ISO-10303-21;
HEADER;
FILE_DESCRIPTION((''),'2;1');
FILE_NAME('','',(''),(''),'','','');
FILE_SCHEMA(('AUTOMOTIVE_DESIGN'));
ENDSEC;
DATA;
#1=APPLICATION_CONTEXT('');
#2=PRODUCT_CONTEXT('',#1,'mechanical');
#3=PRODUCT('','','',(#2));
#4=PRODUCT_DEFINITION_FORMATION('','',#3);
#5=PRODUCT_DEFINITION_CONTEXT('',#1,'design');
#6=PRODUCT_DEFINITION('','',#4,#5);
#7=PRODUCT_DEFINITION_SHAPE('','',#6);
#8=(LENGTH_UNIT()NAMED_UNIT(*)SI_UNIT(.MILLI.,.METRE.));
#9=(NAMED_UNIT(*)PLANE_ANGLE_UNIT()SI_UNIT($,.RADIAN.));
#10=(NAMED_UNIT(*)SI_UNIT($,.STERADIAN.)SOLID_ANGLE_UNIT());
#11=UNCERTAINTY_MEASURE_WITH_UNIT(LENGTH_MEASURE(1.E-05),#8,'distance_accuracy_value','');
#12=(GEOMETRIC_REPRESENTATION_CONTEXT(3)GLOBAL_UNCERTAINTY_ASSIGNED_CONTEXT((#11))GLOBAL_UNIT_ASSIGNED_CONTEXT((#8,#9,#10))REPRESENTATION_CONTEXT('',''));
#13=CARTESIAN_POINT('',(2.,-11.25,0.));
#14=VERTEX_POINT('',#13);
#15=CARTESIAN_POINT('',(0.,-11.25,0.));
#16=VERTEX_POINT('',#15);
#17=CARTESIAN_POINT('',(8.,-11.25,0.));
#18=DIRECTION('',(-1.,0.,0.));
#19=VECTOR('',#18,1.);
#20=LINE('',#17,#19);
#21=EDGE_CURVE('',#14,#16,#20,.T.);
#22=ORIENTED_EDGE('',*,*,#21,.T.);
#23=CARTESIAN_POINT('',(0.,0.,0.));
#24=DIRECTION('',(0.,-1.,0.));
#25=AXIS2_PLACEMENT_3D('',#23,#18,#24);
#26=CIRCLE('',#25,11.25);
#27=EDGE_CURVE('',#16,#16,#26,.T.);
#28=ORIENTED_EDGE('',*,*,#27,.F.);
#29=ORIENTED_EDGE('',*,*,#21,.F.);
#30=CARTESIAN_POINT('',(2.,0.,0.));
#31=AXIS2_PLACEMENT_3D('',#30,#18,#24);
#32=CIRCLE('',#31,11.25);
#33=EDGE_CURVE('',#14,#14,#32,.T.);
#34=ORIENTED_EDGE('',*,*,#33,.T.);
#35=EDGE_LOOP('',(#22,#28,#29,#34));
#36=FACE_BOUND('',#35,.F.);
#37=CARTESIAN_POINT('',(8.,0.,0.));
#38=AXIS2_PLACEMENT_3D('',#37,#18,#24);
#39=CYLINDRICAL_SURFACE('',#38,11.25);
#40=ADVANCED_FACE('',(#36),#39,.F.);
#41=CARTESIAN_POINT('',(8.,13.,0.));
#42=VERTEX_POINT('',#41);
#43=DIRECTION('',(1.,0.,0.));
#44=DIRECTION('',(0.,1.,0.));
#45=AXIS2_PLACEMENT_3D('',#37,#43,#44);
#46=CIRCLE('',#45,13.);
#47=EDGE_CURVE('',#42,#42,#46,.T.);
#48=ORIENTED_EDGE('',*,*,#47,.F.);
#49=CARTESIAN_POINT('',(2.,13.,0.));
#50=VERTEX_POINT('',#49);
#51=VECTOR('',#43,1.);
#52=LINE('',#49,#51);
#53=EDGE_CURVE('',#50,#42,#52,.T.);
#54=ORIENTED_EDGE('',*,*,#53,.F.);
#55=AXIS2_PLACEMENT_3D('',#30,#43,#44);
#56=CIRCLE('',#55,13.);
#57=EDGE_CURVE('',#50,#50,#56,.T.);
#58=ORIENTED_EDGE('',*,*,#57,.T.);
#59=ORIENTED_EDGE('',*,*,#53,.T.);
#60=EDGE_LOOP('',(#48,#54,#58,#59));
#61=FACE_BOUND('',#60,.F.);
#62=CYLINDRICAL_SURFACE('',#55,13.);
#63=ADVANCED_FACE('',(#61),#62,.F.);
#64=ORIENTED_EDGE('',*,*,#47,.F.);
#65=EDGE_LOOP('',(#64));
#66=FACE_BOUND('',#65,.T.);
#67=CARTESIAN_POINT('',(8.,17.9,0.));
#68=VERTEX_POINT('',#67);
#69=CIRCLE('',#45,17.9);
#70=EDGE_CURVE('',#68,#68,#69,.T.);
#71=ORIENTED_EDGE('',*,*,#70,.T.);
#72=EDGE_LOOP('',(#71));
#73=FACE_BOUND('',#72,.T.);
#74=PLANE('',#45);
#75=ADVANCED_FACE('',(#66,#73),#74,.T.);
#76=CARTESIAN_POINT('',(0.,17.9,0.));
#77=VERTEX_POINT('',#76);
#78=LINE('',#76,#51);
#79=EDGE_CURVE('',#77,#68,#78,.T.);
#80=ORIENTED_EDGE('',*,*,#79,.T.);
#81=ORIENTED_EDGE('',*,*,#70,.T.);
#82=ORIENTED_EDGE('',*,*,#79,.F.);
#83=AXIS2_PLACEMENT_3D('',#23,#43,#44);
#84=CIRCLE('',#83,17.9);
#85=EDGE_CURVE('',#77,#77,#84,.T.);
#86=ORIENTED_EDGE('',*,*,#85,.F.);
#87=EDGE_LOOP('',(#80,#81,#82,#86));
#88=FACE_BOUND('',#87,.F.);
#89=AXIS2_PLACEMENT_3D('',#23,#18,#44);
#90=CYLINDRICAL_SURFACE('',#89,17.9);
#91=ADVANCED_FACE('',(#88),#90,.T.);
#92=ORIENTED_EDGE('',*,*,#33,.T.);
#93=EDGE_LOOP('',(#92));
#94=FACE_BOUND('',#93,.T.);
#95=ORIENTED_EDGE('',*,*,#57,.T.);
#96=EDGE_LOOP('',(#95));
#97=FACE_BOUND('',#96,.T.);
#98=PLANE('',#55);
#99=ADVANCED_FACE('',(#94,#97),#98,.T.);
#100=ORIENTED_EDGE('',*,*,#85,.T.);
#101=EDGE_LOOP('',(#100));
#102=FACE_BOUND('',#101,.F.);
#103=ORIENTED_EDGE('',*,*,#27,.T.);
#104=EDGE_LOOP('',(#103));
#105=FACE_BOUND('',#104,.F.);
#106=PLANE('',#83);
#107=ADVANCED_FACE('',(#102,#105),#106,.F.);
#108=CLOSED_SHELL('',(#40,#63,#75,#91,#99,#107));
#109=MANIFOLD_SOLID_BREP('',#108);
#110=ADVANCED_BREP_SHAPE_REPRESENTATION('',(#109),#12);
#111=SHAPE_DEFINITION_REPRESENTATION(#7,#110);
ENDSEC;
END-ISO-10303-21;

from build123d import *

# Parameters (mm, degrees)
F0_R           = 17.9
F1_DEPTH       = 8
F3_D           = 22.5
F3_CBORE_D     = 26
F3_CBORE_DEPTH = 6


with BuildPart() as f1:
    # F0 (on Right) → F1 (new body)
    with BuildSketch(Plane.YZ):
        Circle(F0_R)
    extrude(amount=F1_DEPTH)

    # F3 (through all)
    with Locations(Plane.YZ.offset(8)):
        with Locations((0, 0)):
            CounterBoreHole(F3_D / 2, F3_CBORE_D / 2, F3_CBORE_DEPTH)


solid = f1.part
